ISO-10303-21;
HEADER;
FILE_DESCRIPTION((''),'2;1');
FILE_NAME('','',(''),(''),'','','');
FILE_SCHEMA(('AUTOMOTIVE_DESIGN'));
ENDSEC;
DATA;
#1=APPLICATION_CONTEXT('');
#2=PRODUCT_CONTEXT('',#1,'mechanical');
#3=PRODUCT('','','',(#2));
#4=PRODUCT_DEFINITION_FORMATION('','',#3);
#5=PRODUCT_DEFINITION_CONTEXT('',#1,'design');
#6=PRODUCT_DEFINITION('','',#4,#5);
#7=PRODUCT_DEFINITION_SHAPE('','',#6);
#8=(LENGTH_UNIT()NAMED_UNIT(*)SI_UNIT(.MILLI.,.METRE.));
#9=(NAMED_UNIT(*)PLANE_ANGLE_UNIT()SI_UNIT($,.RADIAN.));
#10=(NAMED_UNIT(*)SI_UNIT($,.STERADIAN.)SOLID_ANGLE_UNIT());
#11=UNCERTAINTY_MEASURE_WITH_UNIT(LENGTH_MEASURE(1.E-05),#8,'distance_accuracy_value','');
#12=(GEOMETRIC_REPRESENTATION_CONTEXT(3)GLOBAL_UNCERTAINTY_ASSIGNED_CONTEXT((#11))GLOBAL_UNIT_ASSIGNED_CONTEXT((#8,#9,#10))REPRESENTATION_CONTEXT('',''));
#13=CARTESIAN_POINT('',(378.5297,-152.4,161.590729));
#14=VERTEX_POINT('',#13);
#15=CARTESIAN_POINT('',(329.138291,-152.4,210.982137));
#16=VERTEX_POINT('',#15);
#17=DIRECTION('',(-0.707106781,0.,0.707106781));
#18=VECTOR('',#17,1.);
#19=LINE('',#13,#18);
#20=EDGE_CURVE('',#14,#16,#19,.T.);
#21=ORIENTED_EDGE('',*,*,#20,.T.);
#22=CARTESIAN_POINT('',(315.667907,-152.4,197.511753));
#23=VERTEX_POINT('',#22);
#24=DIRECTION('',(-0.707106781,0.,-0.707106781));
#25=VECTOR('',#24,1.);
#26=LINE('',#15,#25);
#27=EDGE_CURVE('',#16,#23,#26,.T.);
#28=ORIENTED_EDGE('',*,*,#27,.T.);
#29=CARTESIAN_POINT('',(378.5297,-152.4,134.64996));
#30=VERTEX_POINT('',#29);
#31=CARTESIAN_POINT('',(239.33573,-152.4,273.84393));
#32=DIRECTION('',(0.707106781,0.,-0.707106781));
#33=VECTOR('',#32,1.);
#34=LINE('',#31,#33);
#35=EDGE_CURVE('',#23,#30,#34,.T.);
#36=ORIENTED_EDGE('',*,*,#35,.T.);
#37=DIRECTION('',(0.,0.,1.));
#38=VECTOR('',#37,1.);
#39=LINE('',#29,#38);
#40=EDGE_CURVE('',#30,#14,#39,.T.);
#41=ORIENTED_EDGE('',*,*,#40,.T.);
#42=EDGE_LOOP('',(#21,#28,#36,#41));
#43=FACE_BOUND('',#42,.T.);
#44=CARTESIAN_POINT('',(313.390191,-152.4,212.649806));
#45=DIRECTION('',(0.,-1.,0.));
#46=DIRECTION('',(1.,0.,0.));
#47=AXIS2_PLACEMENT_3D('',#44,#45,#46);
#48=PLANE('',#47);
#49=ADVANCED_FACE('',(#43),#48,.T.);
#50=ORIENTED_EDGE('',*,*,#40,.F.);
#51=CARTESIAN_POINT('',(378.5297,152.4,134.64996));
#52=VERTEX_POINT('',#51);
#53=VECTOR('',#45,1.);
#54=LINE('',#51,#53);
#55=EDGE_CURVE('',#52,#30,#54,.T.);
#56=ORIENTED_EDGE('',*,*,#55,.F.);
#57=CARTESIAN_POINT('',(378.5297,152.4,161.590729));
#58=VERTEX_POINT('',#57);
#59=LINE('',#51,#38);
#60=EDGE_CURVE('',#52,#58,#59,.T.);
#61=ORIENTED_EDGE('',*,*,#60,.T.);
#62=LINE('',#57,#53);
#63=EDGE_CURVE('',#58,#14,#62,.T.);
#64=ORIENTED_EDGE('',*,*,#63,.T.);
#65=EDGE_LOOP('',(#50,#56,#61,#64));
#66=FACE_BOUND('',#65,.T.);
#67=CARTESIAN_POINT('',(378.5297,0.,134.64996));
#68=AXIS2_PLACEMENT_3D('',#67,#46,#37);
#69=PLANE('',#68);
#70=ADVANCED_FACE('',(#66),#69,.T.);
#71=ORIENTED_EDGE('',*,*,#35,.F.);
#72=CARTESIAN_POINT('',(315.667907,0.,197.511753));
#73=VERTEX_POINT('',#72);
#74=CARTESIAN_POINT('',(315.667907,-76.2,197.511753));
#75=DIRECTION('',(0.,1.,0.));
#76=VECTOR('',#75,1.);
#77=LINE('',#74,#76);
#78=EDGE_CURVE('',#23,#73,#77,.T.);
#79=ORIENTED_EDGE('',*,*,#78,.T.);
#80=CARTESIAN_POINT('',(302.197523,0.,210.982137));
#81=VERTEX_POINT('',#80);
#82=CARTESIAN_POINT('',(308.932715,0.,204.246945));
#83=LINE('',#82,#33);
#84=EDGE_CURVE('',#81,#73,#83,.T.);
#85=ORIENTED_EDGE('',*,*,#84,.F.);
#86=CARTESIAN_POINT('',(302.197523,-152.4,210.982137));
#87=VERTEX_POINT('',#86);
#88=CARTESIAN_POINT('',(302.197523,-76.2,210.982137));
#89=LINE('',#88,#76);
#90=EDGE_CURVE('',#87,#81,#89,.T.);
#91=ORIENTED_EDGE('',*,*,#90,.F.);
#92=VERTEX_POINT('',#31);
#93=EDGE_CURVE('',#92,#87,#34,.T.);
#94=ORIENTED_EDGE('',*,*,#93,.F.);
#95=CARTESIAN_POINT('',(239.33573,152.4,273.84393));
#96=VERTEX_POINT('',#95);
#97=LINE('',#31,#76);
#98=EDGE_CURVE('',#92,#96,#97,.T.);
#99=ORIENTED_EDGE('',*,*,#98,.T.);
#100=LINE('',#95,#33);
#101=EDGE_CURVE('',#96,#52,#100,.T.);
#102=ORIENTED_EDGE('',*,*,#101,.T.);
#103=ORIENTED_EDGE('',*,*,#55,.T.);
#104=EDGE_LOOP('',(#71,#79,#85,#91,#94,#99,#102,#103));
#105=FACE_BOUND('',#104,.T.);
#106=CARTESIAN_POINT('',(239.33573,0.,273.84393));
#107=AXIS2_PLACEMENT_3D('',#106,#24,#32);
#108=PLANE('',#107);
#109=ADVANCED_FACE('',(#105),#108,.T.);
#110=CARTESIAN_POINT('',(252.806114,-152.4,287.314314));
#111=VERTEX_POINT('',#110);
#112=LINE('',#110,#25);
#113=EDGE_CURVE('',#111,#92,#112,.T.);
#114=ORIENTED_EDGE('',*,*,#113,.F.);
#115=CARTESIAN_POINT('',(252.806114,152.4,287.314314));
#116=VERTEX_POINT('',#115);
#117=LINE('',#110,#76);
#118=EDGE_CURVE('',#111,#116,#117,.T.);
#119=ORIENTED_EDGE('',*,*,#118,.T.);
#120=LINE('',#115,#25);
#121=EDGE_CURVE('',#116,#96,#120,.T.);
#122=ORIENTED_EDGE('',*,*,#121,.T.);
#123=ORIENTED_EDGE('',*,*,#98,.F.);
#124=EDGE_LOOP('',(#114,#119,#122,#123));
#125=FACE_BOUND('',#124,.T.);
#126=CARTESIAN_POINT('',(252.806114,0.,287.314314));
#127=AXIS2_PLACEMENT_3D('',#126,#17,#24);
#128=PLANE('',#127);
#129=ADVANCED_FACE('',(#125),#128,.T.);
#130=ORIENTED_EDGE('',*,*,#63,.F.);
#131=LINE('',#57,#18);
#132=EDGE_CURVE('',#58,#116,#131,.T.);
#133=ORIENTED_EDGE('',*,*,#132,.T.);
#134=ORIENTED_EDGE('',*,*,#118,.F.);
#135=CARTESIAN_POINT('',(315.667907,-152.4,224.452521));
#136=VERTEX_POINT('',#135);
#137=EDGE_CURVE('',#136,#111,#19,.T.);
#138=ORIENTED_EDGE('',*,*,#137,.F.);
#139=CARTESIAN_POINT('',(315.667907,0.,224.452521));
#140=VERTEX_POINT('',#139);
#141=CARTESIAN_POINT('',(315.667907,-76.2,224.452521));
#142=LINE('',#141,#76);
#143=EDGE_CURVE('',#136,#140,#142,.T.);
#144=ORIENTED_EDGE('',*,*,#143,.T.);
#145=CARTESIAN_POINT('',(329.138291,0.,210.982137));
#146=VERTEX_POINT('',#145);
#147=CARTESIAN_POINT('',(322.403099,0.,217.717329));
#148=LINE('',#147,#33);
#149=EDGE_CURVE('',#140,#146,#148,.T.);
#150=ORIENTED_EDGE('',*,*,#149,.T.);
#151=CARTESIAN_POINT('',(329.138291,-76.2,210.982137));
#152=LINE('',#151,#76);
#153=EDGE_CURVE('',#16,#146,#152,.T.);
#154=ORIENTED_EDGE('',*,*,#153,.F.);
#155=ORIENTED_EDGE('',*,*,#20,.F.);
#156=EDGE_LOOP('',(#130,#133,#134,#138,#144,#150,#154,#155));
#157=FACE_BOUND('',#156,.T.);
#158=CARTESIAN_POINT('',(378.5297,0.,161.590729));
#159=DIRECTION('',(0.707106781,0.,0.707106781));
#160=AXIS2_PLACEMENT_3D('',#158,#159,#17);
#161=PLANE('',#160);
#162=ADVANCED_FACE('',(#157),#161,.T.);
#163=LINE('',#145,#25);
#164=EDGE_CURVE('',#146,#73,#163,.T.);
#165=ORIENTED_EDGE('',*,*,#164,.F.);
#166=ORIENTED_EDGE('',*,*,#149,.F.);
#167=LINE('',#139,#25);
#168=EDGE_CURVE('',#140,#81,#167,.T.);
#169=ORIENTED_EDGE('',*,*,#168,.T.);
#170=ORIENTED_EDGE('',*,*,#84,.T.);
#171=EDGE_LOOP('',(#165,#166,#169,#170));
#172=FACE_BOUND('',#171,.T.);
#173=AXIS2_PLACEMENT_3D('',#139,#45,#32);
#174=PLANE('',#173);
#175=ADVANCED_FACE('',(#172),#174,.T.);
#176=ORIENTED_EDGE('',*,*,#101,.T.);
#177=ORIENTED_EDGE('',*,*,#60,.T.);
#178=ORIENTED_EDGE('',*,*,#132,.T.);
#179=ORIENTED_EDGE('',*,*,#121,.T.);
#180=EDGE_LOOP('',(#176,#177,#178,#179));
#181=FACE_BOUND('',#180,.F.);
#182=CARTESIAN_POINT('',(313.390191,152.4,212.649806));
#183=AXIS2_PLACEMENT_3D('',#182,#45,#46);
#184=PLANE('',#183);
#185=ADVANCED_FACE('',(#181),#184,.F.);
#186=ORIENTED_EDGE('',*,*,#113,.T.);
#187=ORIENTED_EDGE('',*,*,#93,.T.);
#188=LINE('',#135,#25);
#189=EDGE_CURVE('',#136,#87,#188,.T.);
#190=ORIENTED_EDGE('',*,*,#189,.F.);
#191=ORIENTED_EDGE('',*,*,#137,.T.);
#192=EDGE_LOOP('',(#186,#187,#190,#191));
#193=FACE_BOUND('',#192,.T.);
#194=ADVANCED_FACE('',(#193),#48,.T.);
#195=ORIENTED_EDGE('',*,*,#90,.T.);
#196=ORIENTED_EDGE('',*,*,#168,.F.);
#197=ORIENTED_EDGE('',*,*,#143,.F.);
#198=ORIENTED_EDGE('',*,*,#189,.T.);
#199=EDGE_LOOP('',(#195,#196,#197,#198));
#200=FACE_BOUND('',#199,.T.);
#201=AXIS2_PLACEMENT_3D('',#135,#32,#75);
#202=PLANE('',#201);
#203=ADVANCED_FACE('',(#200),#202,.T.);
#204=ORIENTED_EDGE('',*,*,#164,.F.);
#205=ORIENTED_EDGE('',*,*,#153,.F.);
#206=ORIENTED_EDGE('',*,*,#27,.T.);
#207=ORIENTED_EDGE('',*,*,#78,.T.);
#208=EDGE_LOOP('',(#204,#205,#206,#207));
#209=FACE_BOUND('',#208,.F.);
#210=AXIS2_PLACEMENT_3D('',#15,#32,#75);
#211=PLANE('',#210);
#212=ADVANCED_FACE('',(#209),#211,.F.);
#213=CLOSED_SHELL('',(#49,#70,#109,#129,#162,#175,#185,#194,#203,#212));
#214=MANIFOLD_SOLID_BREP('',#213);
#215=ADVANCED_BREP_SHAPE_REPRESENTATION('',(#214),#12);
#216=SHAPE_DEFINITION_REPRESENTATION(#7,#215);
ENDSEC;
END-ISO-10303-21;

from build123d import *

# Parameters (mm, degrees)
F1_DEPTH = 152.4
F2_W     = 19.05
F2_H     = 152.4
F3_DEPTH = 19.05


with BuildPart() as f1:
    # F0 (on Front) → F1 (new body, symmetric)
    with BuildSketch(Plane.XZ):
        Polygon((239.3357296876, 273.8439301559), (378.5296995641, 134.6499602793), (378.5296995641, 161.5907286425), (252.8061138692, 287.3143143375), align=None)
    extrude(amount=F1_DEPTH, both=True)

    # F2 (on face) → F3 (cut)
    with BuildSketch(Plane(origin=(270.0602141033, 0, 270.0602141033), x_dir=(0.7071067812, 0, -0.7071067812), z_dir=(0.7071067812, 0, 0.7071067812))):
        with Locations((74.0240174423, -76.2)):
            Rectangle(F2_W, F2_H)
    extrude(amount=-F3_DEPTH, mode=Mode.SUBTRACT)


solid = f1.part
